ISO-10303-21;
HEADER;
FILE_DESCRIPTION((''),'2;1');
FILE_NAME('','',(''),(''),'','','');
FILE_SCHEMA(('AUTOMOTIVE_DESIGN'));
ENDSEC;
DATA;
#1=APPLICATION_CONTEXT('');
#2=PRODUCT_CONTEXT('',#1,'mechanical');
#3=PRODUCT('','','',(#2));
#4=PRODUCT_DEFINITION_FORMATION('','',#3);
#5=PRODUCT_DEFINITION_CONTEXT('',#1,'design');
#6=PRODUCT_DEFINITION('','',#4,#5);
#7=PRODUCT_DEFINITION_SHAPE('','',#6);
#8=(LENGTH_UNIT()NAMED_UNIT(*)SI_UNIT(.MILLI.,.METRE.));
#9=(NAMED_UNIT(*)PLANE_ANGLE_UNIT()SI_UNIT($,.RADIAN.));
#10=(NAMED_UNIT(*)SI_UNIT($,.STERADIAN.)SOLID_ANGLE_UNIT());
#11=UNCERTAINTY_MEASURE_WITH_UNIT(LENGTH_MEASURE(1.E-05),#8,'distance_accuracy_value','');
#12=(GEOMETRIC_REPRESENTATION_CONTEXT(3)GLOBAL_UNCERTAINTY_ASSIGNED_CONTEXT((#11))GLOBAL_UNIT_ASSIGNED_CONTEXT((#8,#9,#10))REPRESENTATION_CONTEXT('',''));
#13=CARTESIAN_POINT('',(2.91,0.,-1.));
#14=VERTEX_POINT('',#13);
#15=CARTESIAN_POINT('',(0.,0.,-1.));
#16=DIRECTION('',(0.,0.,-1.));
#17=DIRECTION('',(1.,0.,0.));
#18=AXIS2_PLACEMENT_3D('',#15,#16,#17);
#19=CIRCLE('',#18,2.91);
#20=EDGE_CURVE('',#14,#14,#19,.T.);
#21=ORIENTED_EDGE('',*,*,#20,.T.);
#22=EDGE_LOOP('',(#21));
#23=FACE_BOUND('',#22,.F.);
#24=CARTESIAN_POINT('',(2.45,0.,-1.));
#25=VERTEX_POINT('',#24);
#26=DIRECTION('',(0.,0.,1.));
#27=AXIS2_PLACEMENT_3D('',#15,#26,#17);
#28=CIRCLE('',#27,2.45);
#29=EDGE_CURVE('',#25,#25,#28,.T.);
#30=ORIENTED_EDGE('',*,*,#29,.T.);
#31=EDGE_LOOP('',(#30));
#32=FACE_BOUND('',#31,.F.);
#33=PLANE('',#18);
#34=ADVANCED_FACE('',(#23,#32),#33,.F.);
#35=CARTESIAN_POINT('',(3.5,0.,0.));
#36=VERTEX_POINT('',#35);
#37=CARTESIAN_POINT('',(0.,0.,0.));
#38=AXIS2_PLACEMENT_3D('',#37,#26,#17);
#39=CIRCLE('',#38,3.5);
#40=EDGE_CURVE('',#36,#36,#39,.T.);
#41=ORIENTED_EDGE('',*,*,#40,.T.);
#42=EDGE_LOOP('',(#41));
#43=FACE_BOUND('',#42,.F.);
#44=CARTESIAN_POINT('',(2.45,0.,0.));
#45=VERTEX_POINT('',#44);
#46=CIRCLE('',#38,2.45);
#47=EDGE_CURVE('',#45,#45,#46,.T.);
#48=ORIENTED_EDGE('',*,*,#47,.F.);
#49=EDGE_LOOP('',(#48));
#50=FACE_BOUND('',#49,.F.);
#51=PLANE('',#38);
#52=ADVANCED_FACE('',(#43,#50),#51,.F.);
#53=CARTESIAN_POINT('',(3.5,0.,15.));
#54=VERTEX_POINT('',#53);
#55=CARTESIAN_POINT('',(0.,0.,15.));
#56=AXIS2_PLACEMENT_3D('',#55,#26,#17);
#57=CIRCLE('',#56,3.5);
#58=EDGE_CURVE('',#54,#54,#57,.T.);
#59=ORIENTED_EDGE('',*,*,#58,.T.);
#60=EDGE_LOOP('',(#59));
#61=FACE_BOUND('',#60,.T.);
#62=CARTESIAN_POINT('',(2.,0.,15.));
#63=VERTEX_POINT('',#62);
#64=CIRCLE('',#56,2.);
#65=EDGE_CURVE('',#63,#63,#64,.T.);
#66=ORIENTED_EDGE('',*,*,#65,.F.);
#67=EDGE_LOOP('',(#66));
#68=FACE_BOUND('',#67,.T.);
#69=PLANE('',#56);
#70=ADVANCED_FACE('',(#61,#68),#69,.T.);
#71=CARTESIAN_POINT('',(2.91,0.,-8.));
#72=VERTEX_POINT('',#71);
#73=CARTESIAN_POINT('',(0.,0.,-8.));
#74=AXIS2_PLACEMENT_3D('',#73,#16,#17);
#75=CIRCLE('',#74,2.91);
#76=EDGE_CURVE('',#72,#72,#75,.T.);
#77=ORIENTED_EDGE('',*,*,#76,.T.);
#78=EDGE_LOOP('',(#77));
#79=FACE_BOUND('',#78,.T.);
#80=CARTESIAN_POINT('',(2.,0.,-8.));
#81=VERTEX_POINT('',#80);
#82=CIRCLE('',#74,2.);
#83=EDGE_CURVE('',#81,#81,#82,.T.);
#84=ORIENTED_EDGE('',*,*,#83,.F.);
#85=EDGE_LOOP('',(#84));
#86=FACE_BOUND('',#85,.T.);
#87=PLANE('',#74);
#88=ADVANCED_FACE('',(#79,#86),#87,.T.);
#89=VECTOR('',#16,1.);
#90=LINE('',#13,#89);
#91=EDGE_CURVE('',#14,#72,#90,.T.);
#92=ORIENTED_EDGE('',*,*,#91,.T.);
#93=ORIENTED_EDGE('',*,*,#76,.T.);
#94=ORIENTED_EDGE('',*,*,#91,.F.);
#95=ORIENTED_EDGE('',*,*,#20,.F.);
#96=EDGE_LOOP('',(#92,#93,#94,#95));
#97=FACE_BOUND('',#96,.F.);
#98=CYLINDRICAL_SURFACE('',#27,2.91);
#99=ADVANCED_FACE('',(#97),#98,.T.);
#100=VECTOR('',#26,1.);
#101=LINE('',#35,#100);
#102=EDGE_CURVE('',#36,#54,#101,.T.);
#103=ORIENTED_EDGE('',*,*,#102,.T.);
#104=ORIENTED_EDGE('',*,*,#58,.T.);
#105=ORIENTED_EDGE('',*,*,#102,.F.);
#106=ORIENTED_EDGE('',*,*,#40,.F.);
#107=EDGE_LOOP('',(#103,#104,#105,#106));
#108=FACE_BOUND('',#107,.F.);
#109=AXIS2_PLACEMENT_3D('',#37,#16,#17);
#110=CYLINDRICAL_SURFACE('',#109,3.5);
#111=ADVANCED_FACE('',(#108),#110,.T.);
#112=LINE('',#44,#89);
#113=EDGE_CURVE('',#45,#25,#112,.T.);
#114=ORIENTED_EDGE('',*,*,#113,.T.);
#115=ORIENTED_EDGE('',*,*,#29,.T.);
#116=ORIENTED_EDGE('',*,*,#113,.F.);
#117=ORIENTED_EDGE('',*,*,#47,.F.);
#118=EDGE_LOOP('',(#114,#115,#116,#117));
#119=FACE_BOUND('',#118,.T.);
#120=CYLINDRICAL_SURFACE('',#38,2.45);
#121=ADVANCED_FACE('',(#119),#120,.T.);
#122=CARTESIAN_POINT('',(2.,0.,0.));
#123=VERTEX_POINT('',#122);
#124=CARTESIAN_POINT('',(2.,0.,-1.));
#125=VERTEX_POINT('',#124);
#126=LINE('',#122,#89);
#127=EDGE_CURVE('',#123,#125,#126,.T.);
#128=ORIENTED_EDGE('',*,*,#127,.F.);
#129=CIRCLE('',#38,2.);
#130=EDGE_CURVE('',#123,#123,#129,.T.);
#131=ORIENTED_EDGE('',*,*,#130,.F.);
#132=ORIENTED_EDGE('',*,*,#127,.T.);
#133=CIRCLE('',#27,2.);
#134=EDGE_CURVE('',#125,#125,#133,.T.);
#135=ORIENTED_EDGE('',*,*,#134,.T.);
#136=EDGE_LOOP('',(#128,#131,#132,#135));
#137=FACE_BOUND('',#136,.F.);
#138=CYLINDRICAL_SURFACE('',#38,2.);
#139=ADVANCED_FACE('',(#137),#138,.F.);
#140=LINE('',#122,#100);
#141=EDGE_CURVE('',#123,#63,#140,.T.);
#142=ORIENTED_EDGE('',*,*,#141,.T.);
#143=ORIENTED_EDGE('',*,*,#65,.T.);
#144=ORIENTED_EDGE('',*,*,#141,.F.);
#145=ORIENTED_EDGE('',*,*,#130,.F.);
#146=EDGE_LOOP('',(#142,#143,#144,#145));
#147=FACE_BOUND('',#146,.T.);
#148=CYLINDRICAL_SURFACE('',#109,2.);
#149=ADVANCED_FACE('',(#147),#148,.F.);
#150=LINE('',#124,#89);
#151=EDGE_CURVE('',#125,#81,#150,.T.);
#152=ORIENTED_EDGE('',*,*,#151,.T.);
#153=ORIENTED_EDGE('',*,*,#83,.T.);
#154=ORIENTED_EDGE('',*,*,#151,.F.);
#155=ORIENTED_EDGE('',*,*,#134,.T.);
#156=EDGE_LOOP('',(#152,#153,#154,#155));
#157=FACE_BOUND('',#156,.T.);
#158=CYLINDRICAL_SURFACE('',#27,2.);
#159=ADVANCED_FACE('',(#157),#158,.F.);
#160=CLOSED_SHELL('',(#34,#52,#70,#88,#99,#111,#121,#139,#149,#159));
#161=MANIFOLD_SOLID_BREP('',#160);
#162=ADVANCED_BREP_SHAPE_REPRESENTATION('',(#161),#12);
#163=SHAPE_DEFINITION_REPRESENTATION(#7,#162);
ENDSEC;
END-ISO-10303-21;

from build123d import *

# Parameters (mm, degrees)
F0_R     = 3.5
F0_R_2   = 2
F1_DEPTH = 15
F2_R     = 2.45
F2_R_2   = 2
F3_DEPTH = 1
F4_R     = 2.91
F4_R_2   = 2
F5_DEPTH = 7


with BuildPart() as f1:
    # F0 (on Top) → F1 (new body)
    with BuildSketch(Plane.XY):
        Circle(F0_R)
        Circle(F0_R_2, mode=Mode.SUBTRACT)
    extrude(amount=F1_DEPTH)

    # F2 (on Top) → F3 (join)
    with BuildSketch(Plane.XY):
        Circle(F2_R)
        Circle(F2_R_2, mode=Mode.SUBTRACT)
    extrude(amount=-F3_DEPTH)

    # F4 (on face) → F5 (join)
    with BuildSketch(Plane(origin=(0, 0, -1), x_dir=(1, 0, 0), z_dir=(0, 0, -1))):
        Circle(F4_R)
        Circle(F4_R_2, mode=Mode.SUBTRACT)
    extrude(amount=F5_DEPTH)


solid = f1.part
